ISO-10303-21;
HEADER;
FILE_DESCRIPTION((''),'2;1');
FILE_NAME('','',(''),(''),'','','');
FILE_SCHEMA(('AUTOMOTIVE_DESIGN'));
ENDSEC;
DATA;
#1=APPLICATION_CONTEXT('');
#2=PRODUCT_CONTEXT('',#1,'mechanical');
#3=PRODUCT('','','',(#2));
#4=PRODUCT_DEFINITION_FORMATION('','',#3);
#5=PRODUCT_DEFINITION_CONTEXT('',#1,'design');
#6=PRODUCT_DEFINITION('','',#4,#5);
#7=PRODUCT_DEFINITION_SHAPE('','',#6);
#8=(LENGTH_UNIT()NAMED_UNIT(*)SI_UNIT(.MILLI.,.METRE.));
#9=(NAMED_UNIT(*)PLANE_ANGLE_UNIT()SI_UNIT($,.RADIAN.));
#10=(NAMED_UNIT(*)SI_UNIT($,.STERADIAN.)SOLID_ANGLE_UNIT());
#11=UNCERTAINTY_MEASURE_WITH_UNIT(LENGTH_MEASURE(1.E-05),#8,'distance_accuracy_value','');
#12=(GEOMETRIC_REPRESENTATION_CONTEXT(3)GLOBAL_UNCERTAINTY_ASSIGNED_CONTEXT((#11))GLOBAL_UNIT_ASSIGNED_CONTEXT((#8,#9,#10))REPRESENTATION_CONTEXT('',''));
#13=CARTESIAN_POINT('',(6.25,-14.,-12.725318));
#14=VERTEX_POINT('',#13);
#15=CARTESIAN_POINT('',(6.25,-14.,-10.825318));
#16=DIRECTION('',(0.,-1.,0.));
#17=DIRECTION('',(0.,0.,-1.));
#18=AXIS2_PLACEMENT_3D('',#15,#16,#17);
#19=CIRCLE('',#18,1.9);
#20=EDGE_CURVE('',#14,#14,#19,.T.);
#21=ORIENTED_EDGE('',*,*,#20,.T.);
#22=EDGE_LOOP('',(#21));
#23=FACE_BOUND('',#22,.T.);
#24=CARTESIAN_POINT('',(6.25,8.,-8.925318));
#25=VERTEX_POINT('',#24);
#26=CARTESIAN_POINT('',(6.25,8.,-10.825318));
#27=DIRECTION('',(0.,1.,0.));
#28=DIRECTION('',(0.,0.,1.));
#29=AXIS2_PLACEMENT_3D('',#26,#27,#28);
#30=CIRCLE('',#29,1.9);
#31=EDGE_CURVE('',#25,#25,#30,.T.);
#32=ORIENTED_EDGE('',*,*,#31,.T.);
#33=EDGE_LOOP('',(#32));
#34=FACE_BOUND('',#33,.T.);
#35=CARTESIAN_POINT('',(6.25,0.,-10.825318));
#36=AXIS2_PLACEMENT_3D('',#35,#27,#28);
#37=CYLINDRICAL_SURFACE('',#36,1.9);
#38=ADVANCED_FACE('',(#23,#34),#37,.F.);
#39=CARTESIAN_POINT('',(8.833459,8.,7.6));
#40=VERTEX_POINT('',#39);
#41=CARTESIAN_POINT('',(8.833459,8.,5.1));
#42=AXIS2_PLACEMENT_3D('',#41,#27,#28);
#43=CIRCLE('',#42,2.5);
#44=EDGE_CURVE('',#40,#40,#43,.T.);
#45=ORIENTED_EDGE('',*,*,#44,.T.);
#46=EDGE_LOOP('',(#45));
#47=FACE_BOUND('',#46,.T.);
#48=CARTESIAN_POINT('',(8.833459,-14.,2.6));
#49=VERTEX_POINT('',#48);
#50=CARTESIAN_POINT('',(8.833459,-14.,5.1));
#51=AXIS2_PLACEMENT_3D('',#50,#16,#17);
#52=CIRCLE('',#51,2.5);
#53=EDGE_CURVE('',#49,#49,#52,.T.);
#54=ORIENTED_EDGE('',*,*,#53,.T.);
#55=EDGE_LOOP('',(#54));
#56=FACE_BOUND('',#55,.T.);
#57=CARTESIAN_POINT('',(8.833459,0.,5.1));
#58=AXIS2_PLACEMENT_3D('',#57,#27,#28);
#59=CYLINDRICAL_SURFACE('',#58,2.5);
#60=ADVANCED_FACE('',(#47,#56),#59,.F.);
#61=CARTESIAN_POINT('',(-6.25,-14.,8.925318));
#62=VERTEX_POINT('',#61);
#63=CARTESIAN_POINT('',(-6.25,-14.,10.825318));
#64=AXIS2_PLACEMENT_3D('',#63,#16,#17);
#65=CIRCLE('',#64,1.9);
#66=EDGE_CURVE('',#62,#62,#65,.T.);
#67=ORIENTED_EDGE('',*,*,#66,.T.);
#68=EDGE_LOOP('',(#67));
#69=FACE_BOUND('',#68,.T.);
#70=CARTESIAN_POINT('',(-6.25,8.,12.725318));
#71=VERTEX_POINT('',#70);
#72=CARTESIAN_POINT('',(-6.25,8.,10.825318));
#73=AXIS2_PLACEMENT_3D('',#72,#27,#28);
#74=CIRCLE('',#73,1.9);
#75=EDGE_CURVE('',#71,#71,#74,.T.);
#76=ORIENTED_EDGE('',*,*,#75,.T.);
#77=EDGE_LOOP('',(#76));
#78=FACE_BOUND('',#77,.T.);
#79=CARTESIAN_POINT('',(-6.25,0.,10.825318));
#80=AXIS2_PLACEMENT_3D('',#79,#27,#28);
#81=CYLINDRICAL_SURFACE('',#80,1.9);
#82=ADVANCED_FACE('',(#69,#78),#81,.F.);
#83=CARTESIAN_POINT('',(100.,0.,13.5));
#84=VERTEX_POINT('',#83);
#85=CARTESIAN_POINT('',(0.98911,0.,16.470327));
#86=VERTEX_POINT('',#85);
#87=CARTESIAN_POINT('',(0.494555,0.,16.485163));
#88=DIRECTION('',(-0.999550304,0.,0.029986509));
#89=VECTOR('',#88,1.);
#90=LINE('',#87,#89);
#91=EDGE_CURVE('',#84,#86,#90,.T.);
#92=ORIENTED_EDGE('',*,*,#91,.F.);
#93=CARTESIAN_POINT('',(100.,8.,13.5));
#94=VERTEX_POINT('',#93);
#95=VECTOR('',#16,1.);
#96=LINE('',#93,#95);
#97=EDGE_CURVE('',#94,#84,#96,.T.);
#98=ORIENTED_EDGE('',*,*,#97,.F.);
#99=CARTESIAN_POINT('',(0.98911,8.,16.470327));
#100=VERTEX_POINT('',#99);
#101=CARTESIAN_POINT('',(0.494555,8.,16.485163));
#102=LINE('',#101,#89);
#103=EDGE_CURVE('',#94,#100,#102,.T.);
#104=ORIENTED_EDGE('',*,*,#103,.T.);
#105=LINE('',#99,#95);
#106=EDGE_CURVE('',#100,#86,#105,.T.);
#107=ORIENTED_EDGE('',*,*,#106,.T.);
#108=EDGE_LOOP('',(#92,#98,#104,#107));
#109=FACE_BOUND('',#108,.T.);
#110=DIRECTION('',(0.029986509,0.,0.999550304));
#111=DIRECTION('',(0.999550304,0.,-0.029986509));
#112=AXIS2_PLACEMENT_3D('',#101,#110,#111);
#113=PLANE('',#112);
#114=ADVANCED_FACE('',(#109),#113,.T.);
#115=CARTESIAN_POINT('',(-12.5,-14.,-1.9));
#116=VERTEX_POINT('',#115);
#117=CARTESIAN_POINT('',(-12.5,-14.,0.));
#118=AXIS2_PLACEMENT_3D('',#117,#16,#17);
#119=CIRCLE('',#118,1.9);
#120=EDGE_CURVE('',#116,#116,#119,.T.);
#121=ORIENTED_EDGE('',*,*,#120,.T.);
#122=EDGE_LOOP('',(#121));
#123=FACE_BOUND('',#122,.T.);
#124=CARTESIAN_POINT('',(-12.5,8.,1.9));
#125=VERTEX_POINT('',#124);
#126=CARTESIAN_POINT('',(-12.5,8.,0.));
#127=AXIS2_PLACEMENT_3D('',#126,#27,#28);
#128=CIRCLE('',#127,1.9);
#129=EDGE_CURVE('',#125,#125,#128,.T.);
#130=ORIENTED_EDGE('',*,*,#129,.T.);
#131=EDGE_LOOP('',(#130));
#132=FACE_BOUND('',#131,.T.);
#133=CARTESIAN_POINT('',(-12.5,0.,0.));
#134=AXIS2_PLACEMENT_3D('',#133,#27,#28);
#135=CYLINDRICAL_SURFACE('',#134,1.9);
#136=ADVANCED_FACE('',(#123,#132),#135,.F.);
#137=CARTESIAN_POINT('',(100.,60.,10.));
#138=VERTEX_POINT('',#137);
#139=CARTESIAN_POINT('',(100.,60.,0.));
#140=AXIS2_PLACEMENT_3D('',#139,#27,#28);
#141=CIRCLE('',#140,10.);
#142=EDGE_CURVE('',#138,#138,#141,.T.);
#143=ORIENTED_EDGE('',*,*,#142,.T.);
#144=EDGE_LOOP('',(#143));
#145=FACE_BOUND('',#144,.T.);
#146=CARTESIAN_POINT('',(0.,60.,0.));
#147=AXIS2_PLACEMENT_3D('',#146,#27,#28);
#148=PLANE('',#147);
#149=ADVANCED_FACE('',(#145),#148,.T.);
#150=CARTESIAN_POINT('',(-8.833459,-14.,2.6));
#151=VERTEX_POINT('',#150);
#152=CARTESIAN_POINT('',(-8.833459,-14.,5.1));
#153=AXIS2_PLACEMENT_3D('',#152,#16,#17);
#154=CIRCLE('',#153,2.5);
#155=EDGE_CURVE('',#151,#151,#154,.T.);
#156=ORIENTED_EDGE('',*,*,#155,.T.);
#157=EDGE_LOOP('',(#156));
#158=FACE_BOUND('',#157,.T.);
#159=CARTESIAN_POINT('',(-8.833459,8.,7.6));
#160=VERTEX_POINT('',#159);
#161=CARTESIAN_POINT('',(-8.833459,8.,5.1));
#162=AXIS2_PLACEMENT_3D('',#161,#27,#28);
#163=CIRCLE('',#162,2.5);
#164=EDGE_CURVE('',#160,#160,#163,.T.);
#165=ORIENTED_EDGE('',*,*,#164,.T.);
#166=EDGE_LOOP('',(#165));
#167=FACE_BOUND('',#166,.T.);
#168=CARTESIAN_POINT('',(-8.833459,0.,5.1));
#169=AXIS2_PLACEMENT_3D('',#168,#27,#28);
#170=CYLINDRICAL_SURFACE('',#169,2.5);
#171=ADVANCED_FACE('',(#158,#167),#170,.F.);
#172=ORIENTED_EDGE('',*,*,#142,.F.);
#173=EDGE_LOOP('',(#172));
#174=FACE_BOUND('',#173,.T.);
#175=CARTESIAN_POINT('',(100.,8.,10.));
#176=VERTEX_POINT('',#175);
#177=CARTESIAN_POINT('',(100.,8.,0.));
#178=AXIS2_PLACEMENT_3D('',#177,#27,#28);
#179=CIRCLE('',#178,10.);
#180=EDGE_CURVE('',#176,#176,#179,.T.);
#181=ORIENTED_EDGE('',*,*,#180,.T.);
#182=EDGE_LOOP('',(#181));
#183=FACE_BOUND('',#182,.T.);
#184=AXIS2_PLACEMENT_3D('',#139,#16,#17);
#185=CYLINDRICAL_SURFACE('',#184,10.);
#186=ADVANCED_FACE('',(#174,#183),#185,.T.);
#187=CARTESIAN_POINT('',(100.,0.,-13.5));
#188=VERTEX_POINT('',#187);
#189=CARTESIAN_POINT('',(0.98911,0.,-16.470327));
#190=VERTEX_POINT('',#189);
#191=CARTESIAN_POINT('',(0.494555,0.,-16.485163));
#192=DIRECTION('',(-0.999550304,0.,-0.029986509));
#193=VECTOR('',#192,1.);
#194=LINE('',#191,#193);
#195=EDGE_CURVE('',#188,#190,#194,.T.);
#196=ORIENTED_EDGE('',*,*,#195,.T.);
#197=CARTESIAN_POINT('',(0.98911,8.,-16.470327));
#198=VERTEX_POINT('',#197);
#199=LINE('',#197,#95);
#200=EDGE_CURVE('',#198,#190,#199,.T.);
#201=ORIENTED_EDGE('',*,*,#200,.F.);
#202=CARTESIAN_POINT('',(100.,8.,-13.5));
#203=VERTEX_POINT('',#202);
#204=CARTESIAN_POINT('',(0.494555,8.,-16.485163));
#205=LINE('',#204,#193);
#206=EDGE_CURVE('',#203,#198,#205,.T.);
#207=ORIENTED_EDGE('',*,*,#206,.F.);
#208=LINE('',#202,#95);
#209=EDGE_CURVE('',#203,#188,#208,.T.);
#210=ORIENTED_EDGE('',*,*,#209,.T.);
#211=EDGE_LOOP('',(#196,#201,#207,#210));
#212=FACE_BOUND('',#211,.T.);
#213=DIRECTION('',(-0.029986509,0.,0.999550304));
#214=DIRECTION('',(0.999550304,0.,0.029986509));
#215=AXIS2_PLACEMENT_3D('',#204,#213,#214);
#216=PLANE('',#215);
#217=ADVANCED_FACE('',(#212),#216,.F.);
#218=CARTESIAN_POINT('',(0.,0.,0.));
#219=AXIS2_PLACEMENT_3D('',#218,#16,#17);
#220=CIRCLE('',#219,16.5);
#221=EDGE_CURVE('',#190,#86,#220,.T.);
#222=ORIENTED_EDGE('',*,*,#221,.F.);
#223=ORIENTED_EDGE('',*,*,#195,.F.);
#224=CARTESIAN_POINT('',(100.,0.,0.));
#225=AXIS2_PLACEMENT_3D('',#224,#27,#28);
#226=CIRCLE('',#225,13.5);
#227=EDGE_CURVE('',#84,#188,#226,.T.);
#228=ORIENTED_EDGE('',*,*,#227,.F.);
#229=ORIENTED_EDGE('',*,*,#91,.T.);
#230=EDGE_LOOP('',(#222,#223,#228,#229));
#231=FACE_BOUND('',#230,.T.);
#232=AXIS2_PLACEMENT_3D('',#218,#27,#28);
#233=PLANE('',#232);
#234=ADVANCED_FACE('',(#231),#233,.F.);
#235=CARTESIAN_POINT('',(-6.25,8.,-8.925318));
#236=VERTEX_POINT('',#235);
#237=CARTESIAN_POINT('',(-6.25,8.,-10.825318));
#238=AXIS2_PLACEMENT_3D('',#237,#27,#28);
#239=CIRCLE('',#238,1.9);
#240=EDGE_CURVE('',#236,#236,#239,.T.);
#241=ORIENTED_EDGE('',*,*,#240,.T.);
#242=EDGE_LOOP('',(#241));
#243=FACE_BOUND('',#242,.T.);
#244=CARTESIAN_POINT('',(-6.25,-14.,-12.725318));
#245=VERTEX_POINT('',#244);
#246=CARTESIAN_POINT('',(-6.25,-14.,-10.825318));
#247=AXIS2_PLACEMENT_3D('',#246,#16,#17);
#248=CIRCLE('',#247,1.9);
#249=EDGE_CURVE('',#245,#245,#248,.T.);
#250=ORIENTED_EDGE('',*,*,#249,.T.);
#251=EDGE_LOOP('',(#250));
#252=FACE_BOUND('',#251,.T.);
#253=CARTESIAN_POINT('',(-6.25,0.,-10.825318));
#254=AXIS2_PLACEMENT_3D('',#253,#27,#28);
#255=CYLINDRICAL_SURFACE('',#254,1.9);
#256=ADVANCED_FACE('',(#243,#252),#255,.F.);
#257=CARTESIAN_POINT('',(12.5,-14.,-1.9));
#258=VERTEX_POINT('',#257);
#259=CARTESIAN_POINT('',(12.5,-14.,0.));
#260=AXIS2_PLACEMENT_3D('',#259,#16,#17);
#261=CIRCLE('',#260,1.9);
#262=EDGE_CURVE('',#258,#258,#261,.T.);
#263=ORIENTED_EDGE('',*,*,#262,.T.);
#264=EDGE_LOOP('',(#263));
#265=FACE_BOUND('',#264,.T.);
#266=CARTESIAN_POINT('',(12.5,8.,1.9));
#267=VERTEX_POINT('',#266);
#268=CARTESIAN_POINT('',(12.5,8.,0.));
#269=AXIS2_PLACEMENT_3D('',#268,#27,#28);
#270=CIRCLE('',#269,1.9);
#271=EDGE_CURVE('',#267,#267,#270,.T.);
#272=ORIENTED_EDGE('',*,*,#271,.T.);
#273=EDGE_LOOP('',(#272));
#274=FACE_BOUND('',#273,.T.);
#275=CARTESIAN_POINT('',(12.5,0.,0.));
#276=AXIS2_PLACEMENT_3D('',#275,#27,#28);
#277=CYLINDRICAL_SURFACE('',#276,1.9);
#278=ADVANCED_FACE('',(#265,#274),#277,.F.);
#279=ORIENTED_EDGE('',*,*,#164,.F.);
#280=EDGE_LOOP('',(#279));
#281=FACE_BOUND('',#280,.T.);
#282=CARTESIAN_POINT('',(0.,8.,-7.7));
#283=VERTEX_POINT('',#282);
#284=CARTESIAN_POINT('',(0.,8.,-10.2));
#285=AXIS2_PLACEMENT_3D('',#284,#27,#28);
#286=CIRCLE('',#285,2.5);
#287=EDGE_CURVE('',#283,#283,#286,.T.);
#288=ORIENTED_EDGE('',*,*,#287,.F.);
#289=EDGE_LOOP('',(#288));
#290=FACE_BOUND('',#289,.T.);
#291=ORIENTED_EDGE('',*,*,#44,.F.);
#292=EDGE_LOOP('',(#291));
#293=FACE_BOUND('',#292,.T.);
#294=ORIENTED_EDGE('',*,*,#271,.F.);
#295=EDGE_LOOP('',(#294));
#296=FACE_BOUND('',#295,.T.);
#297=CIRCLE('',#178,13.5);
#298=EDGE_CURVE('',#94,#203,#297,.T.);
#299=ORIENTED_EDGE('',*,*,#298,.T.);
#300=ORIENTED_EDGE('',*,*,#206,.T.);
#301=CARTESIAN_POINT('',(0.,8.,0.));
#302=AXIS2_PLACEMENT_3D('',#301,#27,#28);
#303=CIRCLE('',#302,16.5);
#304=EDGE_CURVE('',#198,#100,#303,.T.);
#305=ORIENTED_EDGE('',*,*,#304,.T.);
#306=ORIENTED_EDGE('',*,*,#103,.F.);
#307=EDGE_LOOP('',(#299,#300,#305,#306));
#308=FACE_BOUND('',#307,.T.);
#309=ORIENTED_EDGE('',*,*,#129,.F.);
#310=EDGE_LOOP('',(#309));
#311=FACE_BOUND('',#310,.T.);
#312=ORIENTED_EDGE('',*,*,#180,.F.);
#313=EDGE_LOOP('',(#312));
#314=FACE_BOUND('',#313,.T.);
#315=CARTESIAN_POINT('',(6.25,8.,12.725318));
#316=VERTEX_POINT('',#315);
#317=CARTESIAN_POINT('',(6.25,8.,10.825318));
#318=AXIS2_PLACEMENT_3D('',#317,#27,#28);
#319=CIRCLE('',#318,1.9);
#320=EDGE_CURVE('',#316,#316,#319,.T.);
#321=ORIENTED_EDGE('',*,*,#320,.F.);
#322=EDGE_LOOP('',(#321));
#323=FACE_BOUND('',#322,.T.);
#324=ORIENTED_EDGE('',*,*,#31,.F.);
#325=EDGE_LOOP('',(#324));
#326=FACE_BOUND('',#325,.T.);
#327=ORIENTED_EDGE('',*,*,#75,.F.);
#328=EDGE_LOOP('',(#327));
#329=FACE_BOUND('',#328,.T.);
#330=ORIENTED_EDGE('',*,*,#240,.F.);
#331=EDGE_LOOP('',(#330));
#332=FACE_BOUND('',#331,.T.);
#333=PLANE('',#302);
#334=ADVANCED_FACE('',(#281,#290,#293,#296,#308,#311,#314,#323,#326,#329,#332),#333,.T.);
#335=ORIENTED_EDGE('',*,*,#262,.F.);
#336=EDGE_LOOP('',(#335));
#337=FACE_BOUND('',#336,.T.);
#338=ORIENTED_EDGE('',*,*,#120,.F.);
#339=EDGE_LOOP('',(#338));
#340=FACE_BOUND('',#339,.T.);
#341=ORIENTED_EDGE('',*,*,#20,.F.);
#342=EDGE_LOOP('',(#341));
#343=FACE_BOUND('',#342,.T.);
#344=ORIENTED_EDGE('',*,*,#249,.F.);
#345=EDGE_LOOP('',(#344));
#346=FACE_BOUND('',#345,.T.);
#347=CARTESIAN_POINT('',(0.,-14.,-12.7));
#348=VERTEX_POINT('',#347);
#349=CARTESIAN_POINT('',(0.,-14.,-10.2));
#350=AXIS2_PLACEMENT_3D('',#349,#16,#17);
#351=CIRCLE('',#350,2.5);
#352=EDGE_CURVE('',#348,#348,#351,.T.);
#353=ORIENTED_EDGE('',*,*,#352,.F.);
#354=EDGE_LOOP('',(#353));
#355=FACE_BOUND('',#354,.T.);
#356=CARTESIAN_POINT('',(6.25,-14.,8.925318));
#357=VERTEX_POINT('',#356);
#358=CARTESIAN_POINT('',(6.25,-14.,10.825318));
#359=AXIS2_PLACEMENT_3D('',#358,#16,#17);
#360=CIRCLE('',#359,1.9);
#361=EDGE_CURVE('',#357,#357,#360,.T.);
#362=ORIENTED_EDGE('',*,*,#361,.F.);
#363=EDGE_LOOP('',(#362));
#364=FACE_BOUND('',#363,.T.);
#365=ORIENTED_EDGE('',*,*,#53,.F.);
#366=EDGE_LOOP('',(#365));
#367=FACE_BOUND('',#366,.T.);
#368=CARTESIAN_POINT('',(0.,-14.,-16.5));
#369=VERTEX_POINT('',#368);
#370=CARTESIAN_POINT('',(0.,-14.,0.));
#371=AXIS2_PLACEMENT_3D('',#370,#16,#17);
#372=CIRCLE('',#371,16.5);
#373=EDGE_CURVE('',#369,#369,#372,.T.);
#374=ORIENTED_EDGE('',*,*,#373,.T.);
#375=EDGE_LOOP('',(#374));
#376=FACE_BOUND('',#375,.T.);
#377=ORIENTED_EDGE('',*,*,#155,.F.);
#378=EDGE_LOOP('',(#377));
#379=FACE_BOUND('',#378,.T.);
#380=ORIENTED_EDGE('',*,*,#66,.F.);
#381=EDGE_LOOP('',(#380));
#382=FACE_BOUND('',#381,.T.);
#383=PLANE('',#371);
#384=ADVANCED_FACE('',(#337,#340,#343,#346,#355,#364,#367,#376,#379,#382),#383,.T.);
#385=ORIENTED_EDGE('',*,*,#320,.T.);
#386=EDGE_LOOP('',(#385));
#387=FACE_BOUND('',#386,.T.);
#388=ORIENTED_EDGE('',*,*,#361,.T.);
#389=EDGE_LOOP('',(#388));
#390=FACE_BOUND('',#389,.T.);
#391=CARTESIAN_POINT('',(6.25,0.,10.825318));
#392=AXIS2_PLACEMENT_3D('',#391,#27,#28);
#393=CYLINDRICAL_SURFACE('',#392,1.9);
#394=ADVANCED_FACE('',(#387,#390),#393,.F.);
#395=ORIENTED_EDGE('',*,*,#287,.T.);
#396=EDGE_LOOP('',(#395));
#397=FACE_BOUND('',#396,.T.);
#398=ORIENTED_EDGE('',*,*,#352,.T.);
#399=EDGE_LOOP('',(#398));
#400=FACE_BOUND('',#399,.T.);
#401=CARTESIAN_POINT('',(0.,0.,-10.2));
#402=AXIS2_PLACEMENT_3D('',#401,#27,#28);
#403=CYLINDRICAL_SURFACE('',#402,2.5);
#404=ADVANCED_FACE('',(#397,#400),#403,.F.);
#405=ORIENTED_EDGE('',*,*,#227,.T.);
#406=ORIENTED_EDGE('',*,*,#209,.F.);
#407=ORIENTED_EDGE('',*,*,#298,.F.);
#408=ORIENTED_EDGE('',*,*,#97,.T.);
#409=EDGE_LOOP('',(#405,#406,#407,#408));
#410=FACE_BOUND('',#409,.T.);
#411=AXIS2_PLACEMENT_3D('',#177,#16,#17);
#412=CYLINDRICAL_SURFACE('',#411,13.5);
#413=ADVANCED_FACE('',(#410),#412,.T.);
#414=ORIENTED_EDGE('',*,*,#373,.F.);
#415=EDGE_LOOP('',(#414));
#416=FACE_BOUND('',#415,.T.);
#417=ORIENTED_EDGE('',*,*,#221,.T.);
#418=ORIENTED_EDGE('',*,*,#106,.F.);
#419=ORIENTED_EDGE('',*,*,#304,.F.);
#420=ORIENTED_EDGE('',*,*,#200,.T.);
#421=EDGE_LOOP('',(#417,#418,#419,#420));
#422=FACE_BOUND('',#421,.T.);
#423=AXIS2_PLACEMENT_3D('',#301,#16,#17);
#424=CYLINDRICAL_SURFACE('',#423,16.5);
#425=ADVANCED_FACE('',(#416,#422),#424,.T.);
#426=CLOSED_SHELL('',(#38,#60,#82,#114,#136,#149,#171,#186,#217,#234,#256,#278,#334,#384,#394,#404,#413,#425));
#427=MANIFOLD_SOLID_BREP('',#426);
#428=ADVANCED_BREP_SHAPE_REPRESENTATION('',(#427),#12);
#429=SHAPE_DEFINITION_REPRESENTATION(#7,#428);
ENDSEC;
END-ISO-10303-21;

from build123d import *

# Parameters (mm, degrees)
SKETCH_1_R               = 16.5
EXTRUDE_1_DEPTH          = 8
CUT_EXTRUDE_1_DEPTH      = 25.667792767
CUT_EXTRUDE_1_DEPTH_BACK = 25.667792767
SKETCH_4_R               = 2.5
SKETCH_4_R_2             = 1.9
SKETCH_1_3_R             = 10
EXTRUDE_2_DEPTH          = 8
EXTRUDE_3_DEPTH          = 60
EXTRUDE_START            = 14
SKETCH_5_R               = 16.5
EXTRUDE_4_DEPTH          = 14
CUT_EXTRUDE_START        = -14
SKETCH_6_R               = 2.5
SKETCH_6_R_2             = 1.9
CUT_EXTRUDE_2_DEPTH      = 14


with BuildPart() as part:
    # 草图1 → 凸台-拉伸1 (new body)
    with BuildSketch(Plane(origin=(0, 0, 0), x_dir=(1, 0, 0), z_dir=(0, 1, 0))):
        Circle(SKETCH_1_R)
    extrude(amount=EXTRUDE_1_DEPTH)

    # 草图4 → 切除-拉伸1 (cut, two sides: drawn at the far end of the back side and taken through both)
    with BuildSketch(Plane(origin=(0, 8, 0), x_dir=(1, 0, 0), z_dir=(0, 1, 0)).offset(-CUT_EXTRUDE_1_DEPTH_BACK)):
        with Locations((0, 10.2)):
            Circle(SKETCH_4_R)
        with Locations((-6.25, 10.825317547)):
            Circle(SKETCH_4_R_2)
        with Locations((6.25, 10.825317547)):
            Circle(SKETCH_4_R_2)
        with Locations((12.5, 0)):
            Circle(SKETCH_4_R_2)
        with Locations((6.25, -10.825317547)):
            Circle(SKETCH_4_R_2)
        with Locations((-6.25, -10.825317547)):
            Circle(SKETCH_4_R_2)
        with Locations((-12.5, 0)):
            Circle(SKETCH_4_R_2)
        with Locations((8.833459119, -5.1)):
            Circle(SKETCH_4_R)
        with Locations((-8.833459119, -5.1)):
            Circle(SKETCH_4_R)
    extrude(amount=CUT_EXTRUDE_1_DEPTH + CUT_EXTRUDE_1_DEPTH_BACK, mode=Mode.SUBTRACT)

    # 草图1<3> → 凸台-拉伸2 (add)
    with BuildSketch(Plane(origin=(0, 0, 0), x_dir=(1, 0, 0), z_dir=(0, 1, 0))):
        with BuildLine():
            ThreePointArc((0.989109801, 16.470326706), (16.5, 0), (0.989109801, -16.470326706))
            Line((0.989109801, -16.470326706), (100, -13.5))
            ThreePointArc((100, -13.5), (113.5, 0), (100, 13.5))
            Line((100, 13.5), (0.989109801, 16.470326706))
        make_face()
        with Locations((100, 0)):
            Circle(SKETCH_1_3_R, mode=Mode.SUBTRACT)
    extrude(amount=EXTRUDE_2_DEPTH)

    # 草图1<4> → 凸台-拉伸3 (add)
    with BuildSketch(Plane(origin=(0, 0, 0), x_dir=(1, 0, 0), z_dir=(0, 1, 0))):
        with BuildLine():
            ThreePointArc((110, 0), (100, 10), (90, 0))
            ThreePointArc((90, 0), (100, -10), (110, 0))
        make_face()
    extrude(amount=EXTRUDE_3_DEPTH)

    # 草图5 → 凸台-拉伸4 (add)
    with BuildSketch(Plane.XZ.offset(EXTRUDE_START)):
        Circle(SKETCH_5_R)
    extrude(amount=-EXTRUDE_4_DEPTH)

    # 草图6 → 切除-拉伸2 (cut)
    with BuildSketch(Plane.XZ.offset(14).offset(CUT_EXTRUDE_START)):
        with Locations((-8.833459119, 5.1)):
            Circle(SKETCH_6_R)
        with Locations((-12.5, 0)):
            Circle(SKETCH_6_R_2)
        with Locations((-6.25, -10.825317547)):
            Circle(SKETCH_6_R_2)
        with Locations((0, -10.2)):
            Circle(SKETCH_6_R)
        with Locations((6.25, -10.825317547)):
            Circle(SKETCH_6_R_2)
        with Locations((12.5, 0)):
            Circle(SKETCH_6_R_2)
        with Locations((8.833459119, 5.1)):
            Circle(SKETCH_6_R)
        with Locations((6.25, 10.825317547)):
            Circle(SKETCH_6_R_2)
        with Locations((-6.25, 10.825317547)):
            Circle(SKETCH_6_R_2)
    extrude(amount=CUT_EXTRUDE_2_DEPTH, mode=Mode.SUBTRACT)


solid = part.part
